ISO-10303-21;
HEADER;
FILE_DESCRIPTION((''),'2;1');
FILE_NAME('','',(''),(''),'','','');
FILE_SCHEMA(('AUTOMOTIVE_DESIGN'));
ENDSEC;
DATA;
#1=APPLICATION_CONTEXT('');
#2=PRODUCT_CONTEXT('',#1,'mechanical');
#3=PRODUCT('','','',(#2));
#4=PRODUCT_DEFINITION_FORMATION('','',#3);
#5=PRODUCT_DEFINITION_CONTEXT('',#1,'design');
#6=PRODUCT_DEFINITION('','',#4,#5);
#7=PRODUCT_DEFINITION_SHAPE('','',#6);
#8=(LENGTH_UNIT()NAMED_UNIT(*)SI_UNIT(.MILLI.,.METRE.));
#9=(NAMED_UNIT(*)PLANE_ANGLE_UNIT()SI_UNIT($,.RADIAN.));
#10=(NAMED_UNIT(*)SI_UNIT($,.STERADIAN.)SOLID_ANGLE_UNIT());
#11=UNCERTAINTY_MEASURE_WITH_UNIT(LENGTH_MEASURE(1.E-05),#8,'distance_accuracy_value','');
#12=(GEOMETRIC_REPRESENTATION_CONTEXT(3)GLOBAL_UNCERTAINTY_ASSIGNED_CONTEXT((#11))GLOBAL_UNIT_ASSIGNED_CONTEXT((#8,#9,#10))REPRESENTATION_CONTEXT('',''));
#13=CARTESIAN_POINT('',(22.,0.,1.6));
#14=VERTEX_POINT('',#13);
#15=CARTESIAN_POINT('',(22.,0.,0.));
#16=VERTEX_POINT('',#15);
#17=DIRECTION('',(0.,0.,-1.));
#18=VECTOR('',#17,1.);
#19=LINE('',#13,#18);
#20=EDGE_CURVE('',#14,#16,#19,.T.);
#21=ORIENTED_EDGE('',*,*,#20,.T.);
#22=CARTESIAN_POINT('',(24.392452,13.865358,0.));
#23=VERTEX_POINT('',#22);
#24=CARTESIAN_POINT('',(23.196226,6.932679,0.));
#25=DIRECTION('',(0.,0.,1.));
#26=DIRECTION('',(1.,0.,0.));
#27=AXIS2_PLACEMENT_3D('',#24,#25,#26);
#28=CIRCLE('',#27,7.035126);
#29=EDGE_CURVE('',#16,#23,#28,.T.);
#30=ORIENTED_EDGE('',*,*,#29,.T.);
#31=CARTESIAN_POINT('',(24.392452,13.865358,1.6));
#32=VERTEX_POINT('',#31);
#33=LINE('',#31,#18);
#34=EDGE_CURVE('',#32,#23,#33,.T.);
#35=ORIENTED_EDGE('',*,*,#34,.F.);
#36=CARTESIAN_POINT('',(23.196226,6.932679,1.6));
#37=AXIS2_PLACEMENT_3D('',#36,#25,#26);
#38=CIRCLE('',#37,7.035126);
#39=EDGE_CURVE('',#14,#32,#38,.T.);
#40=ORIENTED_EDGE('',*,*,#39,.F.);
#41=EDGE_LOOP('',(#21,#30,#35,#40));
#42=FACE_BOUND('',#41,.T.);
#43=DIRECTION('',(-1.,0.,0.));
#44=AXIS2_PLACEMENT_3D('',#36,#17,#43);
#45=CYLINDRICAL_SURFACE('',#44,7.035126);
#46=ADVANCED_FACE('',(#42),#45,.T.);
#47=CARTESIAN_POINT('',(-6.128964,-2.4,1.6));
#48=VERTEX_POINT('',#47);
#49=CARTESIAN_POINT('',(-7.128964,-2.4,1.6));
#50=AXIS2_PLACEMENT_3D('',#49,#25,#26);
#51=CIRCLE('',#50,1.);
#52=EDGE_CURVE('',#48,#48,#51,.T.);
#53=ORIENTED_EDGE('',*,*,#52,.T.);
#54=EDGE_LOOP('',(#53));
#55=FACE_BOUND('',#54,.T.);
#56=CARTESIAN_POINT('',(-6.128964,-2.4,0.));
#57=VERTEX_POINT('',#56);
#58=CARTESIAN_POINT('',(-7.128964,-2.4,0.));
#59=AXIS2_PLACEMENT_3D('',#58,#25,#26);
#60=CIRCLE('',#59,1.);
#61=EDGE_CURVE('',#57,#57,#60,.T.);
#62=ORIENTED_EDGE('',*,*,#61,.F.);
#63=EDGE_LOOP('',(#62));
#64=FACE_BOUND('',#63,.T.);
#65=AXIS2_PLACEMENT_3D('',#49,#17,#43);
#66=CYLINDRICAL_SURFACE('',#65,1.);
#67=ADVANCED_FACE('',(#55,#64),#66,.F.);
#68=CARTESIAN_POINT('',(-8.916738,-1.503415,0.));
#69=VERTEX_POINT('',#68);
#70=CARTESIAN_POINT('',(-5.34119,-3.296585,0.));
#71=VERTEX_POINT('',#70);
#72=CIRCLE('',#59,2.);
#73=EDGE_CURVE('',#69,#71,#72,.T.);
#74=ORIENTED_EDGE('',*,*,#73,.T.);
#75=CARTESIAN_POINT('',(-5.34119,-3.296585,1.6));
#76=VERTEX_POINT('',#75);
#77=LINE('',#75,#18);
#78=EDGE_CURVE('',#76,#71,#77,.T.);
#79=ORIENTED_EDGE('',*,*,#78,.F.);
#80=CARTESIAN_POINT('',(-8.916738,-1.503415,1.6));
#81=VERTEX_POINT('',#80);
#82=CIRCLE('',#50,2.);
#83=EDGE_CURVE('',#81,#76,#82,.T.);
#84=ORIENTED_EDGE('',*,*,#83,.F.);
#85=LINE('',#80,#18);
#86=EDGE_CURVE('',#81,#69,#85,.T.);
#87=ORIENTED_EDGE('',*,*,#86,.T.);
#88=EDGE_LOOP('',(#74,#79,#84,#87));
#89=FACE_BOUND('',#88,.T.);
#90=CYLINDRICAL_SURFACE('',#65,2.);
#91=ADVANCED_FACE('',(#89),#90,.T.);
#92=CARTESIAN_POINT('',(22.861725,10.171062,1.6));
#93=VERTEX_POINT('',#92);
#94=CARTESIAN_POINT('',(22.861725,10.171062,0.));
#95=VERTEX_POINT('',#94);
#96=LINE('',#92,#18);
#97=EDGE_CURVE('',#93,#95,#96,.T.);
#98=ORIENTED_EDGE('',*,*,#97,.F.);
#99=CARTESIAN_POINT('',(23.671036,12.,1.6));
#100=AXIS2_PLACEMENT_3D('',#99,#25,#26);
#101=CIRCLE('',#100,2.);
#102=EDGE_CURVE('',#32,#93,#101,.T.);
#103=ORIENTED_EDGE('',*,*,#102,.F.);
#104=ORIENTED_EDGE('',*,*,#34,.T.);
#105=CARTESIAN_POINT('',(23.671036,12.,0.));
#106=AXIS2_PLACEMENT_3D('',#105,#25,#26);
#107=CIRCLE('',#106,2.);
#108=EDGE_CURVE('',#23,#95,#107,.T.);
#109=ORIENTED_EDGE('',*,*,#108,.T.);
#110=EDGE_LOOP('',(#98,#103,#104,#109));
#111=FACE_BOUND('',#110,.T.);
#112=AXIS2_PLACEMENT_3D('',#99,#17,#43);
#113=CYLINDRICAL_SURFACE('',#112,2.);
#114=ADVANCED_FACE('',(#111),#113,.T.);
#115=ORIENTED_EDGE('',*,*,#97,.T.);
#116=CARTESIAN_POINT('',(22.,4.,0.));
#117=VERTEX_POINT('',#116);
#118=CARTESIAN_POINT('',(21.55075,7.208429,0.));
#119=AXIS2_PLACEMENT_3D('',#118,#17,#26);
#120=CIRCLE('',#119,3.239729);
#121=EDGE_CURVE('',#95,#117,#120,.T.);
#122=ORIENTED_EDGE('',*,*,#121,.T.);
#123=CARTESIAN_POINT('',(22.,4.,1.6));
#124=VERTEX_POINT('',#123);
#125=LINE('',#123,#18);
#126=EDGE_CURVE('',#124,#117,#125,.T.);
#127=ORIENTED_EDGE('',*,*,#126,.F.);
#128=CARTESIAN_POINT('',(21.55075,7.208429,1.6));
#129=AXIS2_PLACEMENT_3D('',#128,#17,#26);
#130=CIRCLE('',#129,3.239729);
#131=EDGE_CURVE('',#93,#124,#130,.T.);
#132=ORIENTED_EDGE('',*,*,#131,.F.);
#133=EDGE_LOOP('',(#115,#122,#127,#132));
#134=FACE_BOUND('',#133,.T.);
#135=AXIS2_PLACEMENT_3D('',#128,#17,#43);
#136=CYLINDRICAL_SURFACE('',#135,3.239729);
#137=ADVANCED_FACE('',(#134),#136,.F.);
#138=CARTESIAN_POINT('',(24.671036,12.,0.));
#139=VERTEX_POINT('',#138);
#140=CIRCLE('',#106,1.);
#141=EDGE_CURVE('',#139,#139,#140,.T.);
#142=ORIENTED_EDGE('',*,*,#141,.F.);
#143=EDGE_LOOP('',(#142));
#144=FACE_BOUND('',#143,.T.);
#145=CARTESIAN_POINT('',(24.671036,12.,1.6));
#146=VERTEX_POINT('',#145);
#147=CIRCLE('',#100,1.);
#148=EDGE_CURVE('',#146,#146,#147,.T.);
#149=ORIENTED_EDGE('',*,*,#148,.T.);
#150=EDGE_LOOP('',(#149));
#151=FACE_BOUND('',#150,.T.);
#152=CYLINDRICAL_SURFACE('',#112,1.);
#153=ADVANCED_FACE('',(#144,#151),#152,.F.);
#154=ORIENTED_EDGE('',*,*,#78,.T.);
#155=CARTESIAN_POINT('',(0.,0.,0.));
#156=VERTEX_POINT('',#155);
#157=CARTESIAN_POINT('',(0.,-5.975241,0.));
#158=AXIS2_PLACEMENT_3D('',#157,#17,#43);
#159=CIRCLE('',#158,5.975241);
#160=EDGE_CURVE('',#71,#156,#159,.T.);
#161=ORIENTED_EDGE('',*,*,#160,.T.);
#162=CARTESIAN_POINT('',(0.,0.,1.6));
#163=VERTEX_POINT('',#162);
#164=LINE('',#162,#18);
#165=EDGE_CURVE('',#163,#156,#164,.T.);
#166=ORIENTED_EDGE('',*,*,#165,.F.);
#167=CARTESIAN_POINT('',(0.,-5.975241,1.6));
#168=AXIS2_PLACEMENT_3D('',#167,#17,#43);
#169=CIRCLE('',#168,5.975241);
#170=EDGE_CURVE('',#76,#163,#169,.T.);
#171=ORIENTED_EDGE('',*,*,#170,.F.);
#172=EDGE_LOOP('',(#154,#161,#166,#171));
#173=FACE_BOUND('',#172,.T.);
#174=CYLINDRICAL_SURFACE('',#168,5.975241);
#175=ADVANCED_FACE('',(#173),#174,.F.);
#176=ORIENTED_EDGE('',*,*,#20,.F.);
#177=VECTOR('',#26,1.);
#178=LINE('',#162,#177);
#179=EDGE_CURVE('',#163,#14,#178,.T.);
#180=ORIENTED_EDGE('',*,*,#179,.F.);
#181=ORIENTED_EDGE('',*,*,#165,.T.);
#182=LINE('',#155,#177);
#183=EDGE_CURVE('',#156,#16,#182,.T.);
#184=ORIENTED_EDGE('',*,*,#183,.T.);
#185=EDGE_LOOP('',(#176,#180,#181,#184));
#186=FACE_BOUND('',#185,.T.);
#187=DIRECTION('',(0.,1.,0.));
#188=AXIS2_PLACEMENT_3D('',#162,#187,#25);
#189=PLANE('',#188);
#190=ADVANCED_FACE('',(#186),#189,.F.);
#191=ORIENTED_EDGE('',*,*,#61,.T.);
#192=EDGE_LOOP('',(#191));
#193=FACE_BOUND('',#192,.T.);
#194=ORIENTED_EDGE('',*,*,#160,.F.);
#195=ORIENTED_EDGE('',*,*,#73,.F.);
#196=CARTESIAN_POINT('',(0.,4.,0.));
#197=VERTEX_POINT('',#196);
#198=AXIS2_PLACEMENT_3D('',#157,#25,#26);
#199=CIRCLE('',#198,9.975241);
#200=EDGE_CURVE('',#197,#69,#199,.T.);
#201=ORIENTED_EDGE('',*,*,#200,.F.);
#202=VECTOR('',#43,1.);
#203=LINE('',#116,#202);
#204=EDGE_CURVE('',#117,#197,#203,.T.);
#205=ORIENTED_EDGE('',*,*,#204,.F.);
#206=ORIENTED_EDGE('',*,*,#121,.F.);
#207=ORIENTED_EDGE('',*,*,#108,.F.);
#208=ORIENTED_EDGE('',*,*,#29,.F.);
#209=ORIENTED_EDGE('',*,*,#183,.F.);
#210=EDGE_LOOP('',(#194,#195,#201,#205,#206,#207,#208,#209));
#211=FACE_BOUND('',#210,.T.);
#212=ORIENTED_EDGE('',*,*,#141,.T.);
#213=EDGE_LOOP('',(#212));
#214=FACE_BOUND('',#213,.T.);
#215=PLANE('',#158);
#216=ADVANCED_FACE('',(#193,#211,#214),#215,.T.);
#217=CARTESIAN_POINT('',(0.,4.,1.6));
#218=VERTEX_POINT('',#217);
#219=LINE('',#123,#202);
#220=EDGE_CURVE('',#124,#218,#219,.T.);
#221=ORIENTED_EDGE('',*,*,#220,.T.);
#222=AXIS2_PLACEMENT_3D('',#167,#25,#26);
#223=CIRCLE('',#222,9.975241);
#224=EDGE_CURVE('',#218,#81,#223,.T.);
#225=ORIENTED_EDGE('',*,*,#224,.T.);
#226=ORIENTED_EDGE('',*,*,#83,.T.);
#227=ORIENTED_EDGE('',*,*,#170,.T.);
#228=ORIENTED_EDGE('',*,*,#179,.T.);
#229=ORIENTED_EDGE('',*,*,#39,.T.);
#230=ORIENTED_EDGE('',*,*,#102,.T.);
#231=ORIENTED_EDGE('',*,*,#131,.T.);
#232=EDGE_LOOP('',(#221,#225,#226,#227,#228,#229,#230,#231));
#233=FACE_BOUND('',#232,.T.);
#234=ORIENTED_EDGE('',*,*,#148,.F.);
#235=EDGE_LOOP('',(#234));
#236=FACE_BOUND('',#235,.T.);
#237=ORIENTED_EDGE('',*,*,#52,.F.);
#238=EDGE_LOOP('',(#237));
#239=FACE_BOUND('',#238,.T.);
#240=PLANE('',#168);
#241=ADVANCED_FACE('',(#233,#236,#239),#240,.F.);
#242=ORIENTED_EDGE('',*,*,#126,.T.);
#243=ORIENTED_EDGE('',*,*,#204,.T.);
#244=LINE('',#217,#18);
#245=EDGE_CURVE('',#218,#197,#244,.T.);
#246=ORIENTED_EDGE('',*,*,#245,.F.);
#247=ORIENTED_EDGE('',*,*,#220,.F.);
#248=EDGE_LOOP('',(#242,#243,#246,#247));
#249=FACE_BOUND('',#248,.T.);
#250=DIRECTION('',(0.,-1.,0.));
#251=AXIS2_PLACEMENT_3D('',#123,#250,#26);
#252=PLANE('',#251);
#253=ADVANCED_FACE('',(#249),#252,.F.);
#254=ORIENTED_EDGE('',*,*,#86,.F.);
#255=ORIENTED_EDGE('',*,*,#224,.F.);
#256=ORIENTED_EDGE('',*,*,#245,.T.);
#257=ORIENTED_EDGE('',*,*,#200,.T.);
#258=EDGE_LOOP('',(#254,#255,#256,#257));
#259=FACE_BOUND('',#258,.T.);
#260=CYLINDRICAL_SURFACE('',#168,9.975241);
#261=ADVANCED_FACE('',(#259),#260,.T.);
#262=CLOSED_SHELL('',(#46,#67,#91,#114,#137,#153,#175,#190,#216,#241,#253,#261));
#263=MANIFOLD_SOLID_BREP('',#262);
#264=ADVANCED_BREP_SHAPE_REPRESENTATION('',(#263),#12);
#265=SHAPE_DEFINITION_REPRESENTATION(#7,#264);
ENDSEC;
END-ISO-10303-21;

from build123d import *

# Parameters (mm, degrees)
SKETCH1_R           = 1
BOSS_EXTRUDE2_DEPTH = 1.6


with BuildPart() as part:
    # Sketch1 → Boss-Extrude2 (new body)
    with BuildSketch(Plane.XY):
        with BuildLine():
            Line((0, 0), (22, 0))
            ThreePointArc((22, 0), (30.128904766, 5.736453046), (24.39245172, 13.865357811))
            ThreePointArc((24.39245172, 13.865357811), (21.823365484, 12.765579929), (22.861725051, 10.171061692))
            ThreePointArc((22.861725051, 10.171061692), (24.759347978, 6.760381893), (22, 4))
            Line((22, 4), (0, 4))
            ThreePointArc((0, 4), (-5.239174154, 2.513368319), (-8.916737512, -1.503414886))
            ThreePointArc((-8.916737512, -1.503414886), (-8.025548834, -4.187773792), (-5.341189927, -3.296585114))
            ThreePointArc((-5.341189927, -3.296585114), (-3.138303015, -0.890503073), (0, 0))
        make_face()
        with Locations((-7.128963719, -2.4)):
            Circle(SKETCH1_R, mode=Mode.SUBTRACT)
        with Locations((23.671036281, 12)):
            Circle(SKETCH1_R, mode=Mode.SUBTRACT)
    extrude(amount=BOSS_EXTRUDE2_DEPTH)


solid = part.part
